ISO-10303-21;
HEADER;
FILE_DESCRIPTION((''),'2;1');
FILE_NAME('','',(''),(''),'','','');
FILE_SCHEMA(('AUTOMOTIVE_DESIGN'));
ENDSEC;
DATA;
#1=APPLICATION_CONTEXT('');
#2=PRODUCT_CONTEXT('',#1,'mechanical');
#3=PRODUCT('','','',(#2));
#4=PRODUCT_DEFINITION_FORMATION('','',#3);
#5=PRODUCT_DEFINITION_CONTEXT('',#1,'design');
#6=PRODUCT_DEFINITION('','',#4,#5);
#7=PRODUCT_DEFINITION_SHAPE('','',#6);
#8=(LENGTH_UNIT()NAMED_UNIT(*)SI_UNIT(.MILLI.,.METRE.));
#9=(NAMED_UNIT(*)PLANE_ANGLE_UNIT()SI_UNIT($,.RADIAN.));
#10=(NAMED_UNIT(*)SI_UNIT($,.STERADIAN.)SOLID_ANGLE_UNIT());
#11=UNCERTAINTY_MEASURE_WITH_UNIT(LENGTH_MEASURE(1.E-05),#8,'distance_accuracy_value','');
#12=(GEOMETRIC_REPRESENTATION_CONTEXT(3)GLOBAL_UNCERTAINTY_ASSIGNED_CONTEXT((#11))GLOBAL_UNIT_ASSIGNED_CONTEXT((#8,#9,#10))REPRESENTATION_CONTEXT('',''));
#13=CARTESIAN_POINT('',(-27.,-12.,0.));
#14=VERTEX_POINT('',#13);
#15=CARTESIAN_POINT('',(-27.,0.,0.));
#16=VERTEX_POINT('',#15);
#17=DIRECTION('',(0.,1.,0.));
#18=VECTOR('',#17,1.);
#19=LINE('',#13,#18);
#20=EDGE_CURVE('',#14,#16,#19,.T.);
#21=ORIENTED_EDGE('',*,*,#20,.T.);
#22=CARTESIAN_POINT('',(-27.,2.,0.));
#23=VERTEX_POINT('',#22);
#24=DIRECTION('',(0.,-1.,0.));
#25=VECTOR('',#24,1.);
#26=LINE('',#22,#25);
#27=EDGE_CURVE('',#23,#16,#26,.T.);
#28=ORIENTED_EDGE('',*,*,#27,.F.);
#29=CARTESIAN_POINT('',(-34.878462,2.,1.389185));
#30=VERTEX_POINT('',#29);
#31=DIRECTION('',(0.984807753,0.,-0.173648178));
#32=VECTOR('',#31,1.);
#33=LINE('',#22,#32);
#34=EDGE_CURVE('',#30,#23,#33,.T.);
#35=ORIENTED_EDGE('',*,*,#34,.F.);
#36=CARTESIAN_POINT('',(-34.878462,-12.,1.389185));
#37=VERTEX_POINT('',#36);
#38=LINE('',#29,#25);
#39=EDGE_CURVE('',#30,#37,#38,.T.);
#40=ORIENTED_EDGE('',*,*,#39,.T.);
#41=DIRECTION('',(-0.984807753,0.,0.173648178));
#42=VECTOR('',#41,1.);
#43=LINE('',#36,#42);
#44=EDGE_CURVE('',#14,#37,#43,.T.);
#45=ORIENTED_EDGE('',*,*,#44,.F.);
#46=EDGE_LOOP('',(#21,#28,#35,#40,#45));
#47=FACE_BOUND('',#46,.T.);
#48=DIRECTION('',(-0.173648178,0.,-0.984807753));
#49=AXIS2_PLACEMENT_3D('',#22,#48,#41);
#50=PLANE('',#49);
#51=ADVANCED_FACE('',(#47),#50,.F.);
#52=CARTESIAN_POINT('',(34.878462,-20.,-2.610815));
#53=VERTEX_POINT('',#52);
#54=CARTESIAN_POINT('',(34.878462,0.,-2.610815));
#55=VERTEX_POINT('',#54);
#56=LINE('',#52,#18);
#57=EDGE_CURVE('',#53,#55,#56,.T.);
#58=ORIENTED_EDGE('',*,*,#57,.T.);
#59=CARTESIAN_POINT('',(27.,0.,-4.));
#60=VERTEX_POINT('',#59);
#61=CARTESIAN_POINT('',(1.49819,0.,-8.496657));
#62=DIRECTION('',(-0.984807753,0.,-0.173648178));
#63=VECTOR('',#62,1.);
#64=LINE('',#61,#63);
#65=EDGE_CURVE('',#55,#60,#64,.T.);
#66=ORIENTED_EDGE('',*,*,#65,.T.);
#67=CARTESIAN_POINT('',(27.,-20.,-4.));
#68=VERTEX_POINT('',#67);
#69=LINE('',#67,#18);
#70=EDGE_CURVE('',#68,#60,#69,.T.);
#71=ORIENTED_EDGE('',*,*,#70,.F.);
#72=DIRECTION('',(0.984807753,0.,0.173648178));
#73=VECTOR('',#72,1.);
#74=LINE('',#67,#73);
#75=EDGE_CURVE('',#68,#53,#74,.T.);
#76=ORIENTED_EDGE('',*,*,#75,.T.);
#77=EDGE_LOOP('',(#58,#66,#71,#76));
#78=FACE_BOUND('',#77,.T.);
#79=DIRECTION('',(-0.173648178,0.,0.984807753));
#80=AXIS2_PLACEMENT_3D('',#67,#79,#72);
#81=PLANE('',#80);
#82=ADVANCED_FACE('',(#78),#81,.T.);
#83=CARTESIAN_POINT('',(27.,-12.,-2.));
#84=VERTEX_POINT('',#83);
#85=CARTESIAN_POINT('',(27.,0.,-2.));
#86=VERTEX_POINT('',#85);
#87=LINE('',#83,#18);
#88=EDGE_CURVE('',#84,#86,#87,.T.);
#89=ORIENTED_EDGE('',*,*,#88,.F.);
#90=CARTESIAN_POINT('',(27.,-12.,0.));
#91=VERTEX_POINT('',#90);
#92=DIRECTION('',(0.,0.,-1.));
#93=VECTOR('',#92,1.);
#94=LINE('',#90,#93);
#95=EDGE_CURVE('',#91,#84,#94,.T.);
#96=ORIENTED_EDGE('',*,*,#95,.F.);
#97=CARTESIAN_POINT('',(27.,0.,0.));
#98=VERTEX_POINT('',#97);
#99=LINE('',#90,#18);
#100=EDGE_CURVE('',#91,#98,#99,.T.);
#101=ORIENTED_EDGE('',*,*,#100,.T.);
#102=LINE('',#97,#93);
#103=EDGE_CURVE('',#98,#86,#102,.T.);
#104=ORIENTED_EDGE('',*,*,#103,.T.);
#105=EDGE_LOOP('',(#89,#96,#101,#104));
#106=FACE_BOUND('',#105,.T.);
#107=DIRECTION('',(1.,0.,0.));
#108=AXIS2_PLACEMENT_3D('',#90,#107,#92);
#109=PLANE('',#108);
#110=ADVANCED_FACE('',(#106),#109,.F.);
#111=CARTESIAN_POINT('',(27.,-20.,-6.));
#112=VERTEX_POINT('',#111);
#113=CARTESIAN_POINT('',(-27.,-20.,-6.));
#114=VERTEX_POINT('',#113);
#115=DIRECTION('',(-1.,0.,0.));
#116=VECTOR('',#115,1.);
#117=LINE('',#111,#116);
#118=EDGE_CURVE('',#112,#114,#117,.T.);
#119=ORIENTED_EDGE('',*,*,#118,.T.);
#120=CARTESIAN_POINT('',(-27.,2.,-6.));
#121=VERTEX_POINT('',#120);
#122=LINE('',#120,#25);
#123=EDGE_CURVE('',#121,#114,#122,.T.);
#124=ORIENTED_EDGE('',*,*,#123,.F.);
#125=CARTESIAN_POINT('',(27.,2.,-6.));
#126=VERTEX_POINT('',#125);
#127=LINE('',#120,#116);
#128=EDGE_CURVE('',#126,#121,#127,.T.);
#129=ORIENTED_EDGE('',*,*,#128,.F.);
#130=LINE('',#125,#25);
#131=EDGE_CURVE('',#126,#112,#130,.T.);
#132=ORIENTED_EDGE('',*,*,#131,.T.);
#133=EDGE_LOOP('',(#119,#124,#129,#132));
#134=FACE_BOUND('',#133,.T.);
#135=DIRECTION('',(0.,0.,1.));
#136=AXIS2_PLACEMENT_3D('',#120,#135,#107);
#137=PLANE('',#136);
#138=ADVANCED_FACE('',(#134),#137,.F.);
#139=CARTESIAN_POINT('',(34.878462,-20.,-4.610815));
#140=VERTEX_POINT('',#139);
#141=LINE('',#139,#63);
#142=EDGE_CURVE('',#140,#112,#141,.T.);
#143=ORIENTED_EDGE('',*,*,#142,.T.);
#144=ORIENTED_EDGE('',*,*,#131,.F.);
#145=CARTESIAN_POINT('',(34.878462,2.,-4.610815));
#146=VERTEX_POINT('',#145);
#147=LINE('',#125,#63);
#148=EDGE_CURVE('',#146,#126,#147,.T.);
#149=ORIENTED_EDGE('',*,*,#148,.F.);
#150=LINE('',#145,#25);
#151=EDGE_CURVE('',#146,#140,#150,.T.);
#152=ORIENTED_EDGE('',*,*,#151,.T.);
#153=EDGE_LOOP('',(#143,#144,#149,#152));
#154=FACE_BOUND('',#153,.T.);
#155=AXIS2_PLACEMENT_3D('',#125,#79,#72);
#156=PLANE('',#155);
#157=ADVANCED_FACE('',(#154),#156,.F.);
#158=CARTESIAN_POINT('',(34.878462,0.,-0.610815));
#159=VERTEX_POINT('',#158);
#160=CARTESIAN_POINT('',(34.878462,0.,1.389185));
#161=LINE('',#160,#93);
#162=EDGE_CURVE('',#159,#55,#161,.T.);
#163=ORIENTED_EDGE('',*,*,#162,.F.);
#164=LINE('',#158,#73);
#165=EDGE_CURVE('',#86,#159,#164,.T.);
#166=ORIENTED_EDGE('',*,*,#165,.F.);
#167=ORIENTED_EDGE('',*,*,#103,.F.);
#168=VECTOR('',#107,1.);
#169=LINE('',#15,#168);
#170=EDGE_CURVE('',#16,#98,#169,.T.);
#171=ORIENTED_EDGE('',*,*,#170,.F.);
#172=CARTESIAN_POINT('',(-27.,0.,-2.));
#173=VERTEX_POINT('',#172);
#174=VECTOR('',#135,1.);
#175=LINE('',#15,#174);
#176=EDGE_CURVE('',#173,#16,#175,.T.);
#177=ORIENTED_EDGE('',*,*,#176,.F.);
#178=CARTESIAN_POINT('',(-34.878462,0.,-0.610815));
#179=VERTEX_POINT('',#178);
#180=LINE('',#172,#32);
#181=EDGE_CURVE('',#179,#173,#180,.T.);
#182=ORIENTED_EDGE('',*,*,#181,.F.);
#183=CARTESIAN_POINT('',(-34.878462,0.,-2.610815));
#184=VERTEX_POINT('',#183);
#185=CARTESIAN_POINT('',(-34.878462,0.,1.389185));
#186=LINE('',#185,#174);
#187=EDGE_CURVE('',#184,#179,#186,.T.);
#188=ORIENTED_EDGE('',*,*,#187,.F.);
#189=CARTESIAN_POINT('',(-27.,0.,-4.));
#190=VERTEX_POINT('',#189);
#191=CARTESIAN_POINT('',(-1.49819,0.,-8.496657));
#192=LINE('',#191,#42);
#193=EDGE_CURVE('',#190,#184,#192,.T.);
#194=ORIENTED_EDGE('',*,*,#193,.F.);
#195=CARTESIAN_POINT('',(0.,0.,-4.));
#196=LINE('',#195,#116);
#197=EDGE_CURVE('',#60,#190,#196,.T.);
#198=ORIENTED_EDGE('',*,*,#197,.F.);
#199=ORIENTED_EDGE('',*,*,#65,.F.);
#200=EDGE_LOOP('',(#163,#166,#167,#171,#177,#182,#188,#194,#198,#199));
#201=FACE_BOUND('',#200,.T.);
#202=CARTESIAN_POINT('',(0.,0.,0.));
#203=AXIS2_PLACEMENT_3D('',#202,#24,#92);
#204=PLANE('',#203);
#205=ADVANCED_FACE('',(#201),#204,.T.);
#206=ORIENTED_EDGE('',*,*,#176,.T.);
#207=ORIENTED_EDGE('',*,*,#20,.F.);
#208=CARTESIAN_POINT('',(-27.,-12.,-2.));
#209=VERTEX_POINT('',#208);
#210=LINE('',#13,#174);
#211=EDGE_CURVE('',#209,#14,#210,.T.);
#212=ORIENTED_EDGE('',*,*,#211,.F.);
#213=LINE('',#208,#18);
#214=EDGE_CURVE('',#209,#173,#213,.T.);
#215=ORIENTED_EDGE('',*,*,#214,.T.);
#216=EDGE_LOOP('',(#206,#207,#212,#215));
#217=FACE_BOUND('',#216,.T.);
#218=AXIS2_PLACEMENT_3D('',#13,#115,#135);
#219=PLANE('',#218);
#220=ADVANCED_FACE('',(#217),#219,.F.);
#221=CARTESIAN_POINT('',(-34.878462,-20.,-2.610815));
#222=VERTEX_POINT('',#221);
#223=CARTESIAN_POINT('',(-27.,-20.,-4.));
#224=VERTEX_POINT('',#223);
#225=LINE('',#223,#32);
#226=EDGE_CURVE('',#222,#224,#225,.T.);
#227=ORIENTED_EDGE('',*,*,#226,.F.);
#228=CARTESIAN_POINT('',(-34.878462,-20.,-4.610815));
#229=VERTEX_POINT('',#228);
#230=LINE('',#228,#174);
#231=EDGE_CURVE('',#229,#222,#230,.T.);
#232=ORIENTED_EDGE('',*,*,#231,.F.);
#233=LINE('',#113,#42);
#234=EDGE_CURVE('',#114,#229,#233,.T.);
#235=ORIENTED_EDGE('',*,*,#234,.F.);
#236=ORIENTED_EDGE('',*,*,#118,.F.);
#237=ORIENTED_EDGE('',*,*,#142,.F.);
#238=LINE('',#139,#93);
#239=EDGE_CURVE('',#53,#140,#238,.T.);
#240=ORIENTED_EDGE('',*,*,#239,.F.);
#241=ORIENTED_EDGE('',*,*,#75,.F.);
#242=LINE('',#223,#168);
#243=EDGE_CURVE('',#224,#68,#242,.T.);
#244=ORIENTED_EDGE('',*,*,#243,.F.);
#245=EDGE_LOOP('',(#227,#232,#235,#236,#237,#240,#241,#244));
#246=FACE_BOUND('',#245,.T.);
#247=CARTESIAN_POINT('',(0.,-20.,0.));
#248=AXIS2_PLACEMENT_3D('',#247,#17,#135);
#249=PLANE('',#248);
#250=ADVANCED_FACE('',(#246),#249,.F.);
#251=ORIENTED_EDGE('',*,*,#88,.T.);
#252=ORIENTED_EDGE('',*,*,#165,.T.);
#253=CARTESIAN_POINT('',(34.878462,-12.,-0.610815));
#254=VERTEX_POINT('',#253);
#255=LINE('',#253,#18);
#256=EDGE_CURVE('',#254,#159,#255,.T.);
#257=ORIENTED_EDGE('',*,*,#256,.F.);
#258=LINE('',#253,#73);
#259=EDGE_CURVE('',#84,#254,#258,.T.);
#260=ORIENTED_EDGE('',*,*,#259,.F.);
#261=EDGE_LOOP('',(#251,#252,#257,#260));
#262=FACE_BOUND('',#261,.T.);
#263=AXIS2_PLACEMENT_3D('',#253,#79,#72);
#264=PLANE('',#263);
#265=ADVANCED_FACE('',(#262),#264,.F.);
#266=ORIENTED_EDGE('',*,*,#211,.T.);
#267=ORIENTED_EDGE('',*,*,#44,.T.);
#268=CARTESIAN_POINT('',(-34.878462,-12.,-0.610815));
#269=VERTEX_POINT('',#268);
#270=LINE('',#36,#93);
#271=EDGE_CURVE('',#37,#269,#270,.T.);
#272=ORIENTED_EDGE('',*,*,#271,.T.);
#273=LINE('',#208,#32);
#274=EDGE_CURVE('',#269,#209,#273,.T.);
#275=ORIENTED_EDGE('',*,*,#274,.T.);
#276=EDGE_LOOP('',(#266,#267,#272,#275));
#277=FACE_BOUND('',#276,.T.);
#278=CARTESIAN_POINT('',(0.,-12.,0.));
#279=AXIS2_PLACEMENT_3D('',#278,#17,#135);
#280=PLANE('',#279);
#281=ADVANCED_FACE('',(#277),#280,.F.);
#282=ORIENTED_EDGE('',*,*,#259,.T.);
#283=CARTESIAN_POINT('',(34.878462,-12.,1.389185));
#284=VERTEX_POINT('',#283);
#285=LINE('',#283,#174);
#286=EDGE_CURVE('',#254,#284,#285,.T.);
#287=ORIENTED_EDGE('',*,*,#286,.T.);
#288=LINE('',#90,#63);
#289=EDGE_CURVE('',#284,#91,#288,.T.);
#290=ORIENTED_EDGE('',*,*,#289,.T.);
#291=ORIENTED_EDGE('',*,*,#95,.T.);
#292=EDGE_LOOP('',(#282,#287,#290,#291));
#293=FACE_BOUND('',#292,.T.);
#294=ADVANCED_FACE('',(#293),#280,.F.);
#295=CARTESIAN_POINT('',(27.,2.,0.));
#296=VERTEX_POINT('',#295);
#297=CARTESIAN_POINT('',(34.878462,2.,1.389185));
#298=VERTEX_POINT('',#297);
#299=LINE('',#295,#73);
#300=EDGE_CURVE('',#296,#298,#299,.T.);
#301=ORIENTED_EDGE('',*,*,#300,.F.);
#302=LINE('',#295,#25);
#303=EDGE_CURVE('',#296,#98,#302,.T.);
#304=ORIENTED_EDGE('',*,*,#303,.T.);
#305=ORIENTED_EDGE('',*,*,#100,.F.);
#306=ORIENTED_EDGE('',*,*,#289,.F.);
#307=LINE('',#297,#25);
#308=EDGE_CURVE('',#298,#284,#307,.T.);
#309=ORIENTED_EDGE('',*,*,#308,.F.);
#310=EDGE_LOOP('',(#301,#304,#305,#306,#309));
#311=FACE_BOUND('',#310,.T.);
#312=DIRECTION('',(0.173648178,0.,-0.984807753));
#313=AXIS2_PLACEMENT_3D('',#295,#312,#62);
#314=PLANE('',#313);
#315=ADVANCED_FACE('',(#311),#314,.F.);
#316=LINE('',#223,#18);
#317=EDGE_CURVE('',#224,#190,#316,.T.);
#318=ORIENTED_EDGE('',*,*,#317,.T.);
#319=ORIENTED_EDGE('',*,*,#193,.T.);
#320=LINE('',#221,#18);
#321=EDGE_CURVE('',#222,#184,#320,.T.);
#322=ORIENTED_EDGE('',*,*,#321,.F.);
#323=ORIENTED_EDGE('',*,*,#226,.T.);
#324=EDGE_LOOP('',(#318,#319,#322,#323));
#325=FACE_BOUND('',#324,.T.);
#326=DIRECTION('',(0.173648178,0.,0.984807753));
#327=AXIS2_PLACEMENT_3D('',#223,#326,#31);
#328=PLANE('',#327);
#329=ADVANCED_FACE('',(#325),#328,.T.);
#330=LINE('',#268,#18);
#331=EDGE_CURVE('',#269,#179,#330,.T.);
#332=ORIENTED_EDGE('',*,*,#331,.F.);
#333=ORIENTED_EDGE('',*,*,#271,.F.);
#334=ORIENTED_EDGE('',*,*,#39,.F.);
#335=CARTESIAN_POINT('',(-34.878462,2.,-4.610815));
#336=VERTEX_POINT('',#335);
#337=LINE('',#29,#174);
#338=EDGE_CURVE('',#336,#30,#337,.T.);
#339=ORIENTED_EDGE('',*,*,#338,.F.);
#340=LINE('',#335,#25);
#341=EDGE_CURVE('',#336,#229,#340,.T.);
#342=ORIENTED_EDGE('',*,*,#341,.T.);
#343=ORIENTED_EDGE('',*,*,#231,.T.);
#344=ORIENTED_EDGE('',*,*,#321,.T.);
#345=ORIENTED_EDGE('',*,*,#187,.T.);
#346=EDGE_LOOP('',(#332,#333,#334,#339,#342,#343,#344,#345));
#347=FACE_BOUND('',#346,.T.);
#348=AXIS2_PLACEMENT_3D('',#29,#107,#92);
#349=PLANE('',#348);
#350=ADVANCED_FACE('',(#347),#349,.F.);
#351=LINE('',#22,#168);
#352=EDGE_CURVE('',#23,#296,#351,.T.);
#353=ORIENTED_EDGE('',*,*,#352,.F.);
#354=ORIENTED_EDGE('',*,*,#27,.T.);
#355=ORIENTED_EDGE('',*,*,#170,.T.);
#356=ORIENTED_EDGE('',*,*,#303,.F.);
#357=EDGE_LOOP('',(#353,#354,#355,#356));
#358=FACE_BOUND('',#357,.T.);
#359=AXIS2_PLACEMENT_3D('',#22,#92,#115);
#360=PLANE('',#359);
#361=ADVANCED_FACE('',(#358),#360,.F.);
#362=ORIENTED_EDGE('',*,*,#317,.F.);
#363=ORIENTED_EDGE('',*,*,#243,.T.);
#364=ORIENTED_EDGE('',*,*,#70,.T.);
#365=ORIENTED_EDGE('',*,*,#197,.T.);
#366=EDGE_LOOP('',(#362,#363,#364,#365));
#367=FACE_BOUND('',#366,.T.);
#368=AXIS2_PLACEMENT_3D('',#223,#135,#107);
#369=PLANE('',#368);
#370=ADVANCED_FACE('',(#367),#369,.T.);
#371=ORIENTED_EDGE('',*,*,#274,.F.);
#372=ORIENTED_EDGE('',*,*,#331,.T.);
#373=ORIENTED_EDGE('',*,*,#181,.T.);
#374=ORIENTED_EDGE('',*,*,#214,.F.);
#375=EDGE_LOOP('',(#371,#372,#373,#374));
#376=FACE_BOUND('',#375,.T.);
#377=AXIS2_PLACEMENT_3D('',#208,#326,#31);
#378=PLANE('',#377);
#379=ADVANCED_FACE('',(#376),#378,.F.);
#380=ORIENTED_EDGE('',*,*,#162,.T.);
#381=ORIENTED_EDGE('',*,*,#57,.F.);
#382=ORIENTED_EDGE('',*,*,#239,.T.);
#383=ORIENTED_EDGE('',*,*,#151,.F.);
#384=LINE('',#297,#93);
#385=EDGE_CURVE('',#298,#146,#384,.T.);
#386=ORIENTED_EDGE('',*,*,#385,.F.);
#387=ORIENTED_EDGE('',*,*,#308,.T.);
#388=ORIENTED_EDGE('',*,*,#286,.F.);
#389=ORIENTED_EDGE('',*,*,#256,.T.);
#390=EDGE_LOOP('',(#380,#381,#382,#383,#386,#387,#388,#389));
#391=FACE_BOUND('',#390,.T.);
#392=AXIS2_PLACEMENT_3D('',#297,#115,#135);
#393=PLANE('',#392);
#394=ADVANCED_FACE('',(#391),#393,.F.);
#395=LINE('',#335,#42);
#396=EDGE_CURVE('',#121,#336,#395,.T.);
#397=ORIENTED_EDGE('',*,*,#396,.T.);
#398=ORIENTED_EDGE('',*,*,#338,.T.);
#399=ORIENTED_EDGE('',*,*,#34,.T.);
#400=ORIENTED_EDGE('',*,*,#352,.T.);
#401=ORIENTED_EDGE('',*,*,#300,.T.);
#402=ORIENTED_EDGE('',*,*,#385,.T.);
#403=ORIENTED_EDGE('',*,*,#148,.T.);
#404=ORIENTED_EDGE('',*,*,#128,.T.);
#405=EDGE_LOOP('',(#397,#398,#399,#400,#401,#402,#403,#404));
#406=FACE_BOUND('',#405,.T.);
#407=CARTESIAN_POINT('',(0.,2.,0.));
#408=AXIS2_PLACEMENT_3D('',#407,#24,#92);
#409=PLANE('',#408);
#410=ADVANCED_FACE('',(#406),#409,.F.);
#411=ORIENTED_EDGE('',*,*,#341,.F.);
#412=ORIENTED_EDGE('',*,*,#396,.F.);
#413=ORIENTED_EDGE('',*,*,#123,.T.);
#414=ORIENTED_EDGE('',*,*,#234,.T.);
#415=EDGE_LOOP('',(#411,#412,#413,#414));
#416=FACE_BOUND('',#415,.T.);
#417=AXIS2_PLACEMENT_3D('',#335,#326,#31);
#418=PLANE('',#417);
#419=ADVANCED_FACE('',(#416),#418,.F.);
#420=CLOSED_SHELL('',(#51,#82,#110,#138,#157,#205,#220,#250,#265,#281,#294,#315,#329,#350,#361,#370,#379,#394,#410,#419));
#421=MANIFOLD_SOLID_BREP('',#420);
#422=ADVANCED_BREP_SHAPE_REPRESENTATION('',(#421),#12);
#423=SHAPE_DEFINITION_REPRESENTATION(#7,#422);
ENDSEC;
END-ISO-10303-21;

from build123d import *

# Parameters (mm, degrees)
BOSS_EXTRUDE1_DEPTH = 2
BOSS_EXTRUDE5_DEPTH = 22
BOSS_EXTRUDE6_DEPTH = 12


with BuildPart() as part:
    # Sketch1 → Boss-Extrude1 (new body)
    with BuildSketch(Plane(origin=(0, 0, 0), x_dir=(1, 0, 0), z_dir=(0, 1, 0))):
        Polygon((-27, 0), (27, 0), (34.878462024, -1.389185421), (34.878462024, 4.610814579), (27, 6), (-27, 6), (-34.878462024, 4.610814579), (-34.878462024, -1.389185421), align=None)
    extrude(amount=BOSS_EXTRUDE1_DEPTH)

    # Sketch3 → Boss-Extrude5 (add)
    with BuildSketch(Plane(origin=(0, 2, 0), x_dir=(1, 0, 0), z_dir=(0, 1, 0))):
        Polygon((-27, 4), (27, 4), (34.878462024, 2.610814579), (34.878462024, 4.610814579), (27, 6), (-27, 6), (-34.878462024, 4.610814579), (-34.878462024, 2.610814579), align=None)
    extrude(amount=-BOSS_EXTRUDE5_DEPTH)

    # Sketch8 → Boss-Extrude6 (add)
    with BuildSketch(Plane.XZ):
        Polygon((-34.878462024, 1.389185421), (-34.878462024, -0.610814579), (-27, -2), (-27, 0), align=None)
        Polygon((27, 0), (34.878462024, 1.389185421), (34.878462024, -0.610814579), (27, -2), align=None)
    extrude(amount=BOSS_EXTRUDE6_DEPTH)


solid = part.part
